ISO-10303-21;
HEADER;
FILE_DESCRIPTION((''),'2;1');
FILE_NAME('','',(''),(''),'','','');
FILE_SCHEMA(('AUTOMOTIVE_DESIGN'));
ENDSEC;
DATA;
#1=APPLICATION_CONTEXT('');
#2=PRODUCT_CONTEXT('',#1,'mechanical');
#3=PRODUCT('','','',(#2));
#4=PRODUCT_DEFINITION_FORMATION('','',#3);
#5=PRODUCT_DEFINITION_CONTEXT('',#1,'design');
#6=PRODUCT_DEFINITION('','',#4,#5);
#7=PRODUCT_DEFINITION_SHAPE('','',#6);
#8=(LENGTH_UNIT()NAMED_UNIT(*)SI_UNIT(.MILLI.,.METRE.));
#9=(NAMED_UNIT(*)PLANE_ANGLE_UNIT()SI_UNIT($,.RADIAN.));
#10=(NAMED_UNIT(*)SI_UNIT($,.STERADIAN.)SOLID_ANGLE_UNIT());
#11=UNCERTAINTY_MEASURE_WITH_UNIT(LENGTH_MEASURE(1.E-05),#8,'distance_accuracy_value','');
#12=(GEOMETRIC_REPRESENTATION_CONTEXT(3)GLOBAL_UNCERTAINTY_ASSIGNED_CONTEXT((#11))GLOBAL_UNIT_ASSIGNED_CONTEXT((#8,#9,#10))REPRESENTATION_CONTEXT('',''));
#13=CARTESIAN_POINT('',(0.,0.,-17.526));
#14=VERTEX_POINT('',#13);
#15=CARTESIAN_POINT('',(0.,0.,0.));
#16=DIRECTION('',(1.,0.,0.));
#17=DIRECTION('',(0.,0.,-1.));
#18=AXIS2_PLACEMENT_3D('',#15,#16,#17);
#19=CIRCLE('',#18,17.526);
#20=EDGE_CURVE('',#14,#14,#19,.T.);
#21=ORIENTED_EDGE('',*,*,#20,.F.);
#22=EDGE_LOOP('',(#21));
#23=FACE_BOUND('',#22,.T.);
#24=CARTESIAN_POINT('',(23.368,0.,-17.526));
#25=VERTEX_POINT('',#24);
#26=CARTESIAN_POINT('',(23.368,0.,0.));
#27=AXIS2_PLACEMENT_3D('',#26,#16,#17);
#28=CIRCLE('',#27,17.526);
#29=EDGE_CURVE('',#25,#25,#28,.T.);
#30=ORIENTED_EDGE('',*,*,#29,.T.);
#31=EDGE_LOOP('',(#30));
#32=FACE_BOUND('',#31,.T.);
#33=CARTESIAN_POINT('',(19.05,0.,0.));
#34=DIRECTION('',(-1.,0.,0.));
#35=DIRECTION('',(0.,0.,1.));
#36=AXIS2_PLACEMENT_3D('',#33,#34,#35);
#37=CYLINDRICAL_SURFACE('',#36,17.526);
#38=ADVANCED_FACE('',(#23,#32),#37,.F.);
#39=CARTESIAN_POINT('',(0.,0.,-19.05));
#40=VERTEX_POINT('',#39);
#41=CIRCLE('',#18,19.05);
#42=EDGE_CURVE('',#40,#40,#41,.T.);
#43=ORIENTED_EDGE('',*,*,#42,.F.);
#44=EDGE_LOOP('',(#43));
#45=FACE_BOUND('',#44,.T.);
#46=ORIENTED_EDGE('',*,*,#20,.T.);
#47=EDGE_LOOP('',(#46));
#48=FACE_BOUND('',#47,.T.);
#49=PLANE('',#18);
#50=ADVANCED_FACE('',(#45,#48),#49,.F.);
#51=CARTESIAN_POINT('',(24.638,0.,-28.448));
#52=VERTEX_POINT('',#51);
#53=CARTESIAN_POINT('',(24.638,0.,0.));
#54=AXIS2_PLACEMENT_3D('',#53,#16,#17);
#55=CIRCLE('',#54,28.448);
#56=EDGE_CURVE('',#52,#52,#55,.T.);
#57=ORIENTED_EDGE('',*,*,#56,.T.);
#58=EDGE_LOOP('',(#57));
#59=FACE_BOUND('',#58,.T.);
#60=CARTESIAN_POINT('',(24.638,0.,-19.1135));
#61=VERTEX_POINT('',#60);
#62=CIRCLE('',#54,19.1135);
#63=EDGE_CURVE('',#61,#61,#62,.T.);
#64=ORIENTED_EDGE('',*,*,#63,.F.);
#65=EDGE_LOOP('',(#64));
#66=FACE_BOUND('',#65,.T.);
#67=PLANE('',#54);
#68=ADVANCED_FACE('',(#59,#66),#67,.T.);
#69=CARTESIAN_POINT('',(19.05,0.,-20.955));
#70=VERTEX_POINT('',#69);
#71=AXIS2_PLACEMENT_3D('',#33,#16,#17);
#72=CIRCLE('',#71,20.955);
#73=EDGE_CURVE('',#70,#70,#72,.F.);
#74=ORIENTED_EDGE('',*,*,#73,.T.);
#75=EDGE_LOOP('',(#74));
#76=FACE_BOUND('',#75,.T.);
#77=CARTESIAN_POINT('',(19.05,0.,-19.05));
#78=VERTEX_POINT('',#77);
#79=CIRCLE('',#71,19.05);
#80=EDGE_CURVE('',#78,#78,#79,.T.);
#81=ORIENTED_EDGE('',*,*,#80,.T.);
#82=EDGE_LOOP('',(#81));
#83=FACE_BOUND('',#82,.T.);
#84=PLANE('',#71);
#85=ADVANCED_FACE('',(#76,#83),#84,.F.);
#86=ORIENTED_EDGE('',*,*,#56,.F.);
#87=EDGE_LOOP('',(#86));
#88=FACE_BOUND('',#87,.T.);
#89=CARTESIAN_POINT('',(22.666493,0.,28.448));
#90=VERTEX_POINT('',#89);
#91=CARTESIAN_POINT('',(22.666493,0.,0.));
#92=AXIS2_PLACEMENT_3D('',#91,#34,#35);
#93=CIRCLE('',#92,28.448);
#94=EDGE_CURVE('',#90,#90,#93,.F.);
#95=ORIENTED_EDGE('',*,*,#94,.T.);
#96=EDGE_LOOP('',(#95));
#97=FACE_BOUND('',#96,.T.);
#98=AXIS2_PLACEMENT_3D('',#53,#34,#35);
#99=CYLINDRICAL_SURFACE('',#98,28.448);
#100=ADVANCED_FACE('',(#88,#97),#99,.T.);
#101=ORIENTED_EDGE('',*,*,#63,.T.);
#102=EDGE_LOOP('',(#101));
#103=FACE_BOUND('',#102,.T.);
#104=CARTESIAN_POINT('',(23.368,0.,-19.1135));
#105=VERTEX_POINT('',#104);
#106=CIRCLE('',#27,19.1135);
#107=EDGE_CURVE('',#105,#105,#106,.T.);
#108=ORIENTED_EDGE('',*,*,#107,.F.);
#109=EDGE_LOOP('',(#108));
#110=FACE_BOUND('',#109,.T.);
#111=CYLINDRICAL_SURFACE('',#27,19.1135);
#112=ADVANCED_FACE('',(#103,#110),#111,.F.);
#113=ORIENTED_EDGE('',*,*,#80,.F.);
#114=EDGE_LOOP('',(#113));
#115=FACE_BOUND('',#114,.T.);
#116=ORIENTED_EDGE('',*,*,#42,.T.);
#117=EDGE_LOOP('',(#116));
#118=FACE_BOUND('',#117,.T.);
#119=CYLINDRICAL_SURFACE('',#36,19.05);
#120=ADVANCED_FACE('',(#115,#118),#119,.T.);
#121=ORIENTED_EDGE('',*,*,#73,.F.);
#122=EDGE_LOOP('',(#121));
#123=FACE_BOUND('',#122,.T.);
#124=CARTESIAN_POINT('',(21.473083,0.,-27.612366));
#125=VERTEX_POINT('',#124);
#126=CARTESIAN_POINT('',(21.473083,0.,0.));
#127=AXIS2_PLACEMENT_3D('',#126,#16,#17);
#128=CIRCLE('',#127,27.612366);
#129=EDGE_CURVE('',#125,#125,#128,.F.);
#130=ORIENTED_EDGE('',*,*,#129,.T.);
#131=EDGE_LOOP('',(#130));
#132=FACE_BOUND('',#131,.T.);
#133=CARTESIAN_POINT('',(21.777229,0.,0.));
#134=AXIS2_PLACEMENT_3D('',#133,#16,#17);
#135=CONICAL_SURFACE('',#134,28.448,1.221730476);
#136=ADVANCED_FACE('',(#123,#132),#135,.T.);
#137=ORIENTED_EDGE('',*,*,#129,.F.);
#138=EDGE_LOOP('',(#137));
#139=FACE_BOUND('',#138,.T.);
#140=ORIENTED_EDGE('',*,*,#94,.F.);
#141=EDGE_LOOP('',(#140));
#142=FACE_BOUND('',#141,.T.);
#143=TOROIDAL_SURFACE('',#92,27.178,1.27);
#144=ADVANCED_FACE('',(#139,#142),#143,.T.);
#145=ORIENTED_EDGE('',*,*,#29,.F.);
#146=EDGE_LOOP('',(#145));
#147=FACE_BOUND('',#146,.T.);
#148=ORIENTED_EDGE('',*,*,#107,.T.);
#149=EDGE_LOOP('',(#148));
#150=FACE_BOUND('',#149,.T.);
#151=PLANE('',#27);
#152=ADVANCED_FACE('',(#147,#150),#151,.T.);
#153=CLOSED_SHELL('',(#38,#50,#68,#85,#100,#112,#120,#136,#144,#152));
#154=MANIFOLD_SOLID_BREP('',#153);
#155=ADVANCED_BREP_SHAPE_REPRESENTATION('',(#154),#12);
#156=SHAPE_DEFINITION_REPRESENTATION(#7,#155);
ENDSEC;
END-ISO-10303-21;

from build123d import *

# Parameters (mm, degrees)
SKETCH1_R           = 19.05
SKETCH1_R_2         = 17.526
BOSS_EXTRUDE1_DEPTH = 19.05
SKETCH2_R           = 28.448
BOSS_EXTRUDE2_DEPTH = 5.588
CHAMFER1_SIZE       = 7.493
CHAMFER1_SIZE2      = 2.727228965
FILLET2_R           = 1.27
SKETCH3_R           = 17.526
CUT_EXTRUDE1_DEPTH  = 6.5880001
SKETCH4_R           = 19.1135
SKETCH4_R_2         = 17.526
CUT_EXTRUDE2_DEPTH  = 1.27


with BuildPart() as part:
    # Sketch1 → Boss-Extrude1 (new body)
    with BuildSketch(Plane(origin=(0, 0, 0), x_dir=(0, 0, -1), z_dir=(1, 0, 0))):
        Circle(SKETCH1_R)
        Circle(SKETCH1_R_2, mode=Mode.SUBTRACT)
    extrude(amount=BOSS_EXTRUDE1_DEPTH)

    # Sketch2 → Boss-Extrude2 (add)
    with BuildSketch(Plane(origin=(19.05, 0, 0), x_dir=(0, 0, -1), z_dir=(1, 0, 0))):
        Circle(SKETCH2_R)
    extrude(amount=BOSS_EXTRUDE2_DEPTH)

    # Chamfer1
    chamfer1_edges = [part.edges().sort_by_distance(p)[0] for p in [
        (19.05, 0, 28.448),
    ]]
    chamfer1_side = [part.faces().sort_by_distance(p)[0] for p in [
        (19.05, 0, 27.643369052),
    ]]
    chamfer(chamfer1_edges, length=CHAMFER1_SIZE, length2=CHAMFER1_SIZE2, reference=chamfer1_side[0])

    # Fillet2
    fillet2_edges = [part.edges().sort_by_distance(p)[0] for p in [
        (21.777228965, 0, 28.448),
    ]]
    fillet(fillet2_edges, radius=FILLET2_R)

    # Sketch3 → Cut-Extrude1 (cut, through all)
    with BuildSketch(Plane.ZY.offset(-19.05)):
        Circle(SKETCH3_R)
    extrude(amount=-CUT_EXTRUDE1_DEPTH, mode=Mode.SUBTRACT)

    # Sketch4 → Cut-Extrude2 (cut)
    with BuildSketch(Plane(origin=(24.638, 0, 0), x_dir=(0, 0, -1), z_dir=(1, 0, 0))):
        Circle(SKETCH4_R)
        Circle(SKETCH4_R_2, mode=Mode.SUBTRACT)
    extrude(amount=-CUT_EXTRUDE2_DEPTH, mode=Mode.SUBTRACT)


solid = part.part
